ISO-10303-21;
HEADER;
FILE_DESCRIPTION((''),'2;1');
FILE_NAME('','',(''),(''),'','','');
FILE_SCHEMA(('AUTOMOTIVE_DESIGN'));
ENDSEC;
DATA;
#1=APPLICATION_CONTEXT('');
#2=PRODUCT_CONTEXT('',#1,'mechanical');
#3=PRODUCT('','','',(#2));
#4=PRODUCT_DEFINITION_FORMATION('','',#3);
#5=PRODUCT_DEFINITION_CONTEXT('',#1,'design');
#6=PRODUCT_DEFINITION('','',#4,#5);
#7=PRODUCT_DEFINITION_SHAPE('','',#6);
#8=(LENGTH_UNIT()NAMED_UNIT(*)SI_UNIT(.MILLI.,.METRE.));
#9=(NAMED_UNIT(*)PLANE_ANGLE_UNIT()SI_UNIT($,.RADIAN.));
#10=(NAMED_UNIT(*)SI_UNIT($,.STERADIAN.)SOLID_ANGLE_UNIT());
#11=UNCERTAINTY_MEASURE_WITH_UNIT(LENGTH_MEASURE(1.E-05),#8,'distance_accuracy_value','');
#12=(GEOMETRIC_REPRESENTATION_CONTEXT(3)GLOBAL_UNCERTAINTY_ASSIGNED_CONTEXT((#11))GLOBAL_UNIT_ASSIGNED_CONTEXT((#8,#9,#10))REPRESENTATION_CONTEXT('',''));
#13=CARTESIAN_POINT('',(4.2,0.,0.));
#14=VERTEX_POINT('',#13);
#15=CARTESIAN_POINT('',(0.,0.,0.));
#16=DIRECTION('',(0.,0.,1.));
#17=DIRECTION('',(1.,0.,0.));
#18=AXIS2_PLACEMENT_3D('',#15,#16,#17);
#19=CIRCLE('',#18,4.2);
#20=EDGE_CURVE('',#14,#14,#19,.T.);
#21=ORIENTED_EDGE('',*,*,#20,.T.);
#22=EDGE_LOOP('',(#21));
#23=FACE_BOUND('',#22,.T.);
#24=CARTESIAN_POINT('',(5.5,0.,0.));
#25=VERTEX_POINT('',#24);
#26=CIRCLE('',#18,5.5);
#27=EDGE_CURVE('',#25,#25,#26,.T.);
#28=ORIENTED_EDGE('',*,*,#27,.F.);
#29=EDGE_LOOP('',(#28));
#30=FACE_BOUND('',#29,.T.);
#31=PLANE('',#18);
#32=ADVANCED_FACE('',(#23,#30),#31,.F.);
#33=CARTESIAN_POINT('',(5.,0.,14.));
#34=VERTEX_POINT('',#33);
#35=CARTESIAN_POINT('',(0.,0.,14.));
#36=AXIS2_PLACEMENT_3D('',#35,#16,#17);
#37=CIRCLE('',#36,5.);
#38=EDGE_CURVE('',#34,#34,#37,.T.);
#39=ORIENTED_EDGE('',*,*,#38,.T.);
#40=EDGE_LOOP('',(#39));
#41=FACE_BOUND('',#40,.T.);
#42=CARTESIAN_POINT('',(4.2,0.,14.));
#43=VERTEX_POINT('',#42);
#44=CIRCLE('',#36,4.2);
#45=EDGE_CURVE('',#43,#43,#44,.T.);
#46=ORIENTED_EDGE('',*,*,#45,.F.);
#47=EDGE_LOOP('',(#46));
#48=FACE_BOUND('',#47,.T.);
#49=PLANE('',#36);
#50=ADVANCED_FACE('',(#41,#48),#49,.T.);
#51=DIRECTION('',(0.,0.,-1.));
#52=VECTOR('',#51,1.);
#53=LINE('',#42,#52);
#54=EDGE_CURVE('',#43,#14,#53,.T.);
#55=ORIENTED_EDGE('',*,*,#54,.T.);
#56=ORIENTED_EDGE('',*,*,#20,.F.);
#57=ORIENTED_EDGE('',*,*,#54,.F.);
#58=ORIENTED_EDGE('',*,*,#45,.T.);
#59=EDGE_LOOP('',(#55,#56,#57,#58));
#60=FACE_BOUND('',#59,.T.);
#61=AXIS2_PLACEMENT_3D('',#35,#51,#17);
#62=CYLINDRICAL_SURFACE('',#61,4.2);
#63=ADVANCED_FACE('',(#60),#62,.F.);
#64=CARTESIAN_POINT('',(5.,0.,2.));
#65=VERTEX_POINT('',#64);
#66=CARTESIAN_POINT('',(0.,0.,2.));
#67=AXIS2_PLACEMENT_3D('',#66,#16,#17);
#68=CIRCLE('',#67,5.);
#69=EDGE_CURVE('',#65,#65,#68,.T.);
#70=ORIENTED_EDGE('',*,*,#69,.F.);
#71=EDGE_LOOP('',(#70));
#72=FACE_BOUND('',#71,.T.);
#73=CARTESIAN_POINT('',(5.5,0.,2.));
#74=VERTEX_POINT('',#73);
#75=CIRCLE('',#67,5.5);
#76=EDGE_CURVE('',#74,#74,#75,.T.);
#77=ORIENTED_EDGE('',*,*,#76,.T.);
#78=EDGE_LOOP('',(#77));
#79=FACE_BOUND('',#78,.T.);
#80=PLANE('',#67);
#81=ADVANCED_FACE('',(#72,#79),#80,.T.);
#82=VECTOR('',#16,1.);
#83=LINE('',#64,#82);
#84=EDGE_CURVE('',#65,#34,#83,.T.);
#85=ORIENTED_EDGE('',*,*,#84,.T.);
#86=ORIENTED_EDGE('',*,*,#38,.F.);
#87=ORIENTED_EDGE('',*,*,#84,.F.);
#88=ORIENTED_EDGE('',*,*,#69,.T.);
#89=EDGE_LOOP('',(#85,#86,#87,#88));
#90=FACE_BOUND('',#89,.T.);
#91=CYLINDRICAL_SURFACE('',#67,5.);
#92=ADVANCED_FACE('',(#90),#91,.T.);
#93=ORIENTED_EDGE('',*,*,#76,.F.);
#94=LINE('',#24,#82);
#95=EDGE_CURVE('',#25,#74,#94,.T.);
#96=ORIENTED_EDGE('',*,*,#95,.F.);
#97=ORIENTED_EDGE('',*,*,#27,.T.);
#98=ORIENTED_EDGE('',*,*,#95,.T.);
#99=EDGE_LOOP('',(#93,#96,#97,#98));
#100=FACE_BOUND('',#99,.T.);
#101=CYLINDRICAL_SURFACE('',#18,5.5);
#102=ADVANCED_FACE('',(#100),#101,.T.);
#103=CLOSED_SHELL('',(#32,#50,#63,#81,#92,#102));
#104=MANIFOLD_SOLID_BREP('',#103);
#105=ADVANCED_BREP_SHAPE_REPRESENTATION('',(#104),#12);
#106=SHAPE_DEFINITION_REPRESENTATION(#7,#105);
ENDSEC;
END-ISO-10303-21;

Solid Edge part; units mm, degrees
sketch "Sketch1" plane through (0, 0, 0) normal (0, -1, 0) x (1, 0, 0)
  line L0 (5, 2) -> (5, 14)
  line L1 (5, 14) -> (4.2, 14)
  line L2 (4.2, 14) -> (4.2, 0)
  line L3 (4.2, 0) -> (5.5, 0)
  line L4 (5.5, 0) -> (5.5, 2)
  line L5 (5.5, 2) -> (5, 2)
revolve "RevolvedProtrusion1" add sketch "Sketch1" angle 360 about axis through (0, 0, 0) along (0, 0, 1)
